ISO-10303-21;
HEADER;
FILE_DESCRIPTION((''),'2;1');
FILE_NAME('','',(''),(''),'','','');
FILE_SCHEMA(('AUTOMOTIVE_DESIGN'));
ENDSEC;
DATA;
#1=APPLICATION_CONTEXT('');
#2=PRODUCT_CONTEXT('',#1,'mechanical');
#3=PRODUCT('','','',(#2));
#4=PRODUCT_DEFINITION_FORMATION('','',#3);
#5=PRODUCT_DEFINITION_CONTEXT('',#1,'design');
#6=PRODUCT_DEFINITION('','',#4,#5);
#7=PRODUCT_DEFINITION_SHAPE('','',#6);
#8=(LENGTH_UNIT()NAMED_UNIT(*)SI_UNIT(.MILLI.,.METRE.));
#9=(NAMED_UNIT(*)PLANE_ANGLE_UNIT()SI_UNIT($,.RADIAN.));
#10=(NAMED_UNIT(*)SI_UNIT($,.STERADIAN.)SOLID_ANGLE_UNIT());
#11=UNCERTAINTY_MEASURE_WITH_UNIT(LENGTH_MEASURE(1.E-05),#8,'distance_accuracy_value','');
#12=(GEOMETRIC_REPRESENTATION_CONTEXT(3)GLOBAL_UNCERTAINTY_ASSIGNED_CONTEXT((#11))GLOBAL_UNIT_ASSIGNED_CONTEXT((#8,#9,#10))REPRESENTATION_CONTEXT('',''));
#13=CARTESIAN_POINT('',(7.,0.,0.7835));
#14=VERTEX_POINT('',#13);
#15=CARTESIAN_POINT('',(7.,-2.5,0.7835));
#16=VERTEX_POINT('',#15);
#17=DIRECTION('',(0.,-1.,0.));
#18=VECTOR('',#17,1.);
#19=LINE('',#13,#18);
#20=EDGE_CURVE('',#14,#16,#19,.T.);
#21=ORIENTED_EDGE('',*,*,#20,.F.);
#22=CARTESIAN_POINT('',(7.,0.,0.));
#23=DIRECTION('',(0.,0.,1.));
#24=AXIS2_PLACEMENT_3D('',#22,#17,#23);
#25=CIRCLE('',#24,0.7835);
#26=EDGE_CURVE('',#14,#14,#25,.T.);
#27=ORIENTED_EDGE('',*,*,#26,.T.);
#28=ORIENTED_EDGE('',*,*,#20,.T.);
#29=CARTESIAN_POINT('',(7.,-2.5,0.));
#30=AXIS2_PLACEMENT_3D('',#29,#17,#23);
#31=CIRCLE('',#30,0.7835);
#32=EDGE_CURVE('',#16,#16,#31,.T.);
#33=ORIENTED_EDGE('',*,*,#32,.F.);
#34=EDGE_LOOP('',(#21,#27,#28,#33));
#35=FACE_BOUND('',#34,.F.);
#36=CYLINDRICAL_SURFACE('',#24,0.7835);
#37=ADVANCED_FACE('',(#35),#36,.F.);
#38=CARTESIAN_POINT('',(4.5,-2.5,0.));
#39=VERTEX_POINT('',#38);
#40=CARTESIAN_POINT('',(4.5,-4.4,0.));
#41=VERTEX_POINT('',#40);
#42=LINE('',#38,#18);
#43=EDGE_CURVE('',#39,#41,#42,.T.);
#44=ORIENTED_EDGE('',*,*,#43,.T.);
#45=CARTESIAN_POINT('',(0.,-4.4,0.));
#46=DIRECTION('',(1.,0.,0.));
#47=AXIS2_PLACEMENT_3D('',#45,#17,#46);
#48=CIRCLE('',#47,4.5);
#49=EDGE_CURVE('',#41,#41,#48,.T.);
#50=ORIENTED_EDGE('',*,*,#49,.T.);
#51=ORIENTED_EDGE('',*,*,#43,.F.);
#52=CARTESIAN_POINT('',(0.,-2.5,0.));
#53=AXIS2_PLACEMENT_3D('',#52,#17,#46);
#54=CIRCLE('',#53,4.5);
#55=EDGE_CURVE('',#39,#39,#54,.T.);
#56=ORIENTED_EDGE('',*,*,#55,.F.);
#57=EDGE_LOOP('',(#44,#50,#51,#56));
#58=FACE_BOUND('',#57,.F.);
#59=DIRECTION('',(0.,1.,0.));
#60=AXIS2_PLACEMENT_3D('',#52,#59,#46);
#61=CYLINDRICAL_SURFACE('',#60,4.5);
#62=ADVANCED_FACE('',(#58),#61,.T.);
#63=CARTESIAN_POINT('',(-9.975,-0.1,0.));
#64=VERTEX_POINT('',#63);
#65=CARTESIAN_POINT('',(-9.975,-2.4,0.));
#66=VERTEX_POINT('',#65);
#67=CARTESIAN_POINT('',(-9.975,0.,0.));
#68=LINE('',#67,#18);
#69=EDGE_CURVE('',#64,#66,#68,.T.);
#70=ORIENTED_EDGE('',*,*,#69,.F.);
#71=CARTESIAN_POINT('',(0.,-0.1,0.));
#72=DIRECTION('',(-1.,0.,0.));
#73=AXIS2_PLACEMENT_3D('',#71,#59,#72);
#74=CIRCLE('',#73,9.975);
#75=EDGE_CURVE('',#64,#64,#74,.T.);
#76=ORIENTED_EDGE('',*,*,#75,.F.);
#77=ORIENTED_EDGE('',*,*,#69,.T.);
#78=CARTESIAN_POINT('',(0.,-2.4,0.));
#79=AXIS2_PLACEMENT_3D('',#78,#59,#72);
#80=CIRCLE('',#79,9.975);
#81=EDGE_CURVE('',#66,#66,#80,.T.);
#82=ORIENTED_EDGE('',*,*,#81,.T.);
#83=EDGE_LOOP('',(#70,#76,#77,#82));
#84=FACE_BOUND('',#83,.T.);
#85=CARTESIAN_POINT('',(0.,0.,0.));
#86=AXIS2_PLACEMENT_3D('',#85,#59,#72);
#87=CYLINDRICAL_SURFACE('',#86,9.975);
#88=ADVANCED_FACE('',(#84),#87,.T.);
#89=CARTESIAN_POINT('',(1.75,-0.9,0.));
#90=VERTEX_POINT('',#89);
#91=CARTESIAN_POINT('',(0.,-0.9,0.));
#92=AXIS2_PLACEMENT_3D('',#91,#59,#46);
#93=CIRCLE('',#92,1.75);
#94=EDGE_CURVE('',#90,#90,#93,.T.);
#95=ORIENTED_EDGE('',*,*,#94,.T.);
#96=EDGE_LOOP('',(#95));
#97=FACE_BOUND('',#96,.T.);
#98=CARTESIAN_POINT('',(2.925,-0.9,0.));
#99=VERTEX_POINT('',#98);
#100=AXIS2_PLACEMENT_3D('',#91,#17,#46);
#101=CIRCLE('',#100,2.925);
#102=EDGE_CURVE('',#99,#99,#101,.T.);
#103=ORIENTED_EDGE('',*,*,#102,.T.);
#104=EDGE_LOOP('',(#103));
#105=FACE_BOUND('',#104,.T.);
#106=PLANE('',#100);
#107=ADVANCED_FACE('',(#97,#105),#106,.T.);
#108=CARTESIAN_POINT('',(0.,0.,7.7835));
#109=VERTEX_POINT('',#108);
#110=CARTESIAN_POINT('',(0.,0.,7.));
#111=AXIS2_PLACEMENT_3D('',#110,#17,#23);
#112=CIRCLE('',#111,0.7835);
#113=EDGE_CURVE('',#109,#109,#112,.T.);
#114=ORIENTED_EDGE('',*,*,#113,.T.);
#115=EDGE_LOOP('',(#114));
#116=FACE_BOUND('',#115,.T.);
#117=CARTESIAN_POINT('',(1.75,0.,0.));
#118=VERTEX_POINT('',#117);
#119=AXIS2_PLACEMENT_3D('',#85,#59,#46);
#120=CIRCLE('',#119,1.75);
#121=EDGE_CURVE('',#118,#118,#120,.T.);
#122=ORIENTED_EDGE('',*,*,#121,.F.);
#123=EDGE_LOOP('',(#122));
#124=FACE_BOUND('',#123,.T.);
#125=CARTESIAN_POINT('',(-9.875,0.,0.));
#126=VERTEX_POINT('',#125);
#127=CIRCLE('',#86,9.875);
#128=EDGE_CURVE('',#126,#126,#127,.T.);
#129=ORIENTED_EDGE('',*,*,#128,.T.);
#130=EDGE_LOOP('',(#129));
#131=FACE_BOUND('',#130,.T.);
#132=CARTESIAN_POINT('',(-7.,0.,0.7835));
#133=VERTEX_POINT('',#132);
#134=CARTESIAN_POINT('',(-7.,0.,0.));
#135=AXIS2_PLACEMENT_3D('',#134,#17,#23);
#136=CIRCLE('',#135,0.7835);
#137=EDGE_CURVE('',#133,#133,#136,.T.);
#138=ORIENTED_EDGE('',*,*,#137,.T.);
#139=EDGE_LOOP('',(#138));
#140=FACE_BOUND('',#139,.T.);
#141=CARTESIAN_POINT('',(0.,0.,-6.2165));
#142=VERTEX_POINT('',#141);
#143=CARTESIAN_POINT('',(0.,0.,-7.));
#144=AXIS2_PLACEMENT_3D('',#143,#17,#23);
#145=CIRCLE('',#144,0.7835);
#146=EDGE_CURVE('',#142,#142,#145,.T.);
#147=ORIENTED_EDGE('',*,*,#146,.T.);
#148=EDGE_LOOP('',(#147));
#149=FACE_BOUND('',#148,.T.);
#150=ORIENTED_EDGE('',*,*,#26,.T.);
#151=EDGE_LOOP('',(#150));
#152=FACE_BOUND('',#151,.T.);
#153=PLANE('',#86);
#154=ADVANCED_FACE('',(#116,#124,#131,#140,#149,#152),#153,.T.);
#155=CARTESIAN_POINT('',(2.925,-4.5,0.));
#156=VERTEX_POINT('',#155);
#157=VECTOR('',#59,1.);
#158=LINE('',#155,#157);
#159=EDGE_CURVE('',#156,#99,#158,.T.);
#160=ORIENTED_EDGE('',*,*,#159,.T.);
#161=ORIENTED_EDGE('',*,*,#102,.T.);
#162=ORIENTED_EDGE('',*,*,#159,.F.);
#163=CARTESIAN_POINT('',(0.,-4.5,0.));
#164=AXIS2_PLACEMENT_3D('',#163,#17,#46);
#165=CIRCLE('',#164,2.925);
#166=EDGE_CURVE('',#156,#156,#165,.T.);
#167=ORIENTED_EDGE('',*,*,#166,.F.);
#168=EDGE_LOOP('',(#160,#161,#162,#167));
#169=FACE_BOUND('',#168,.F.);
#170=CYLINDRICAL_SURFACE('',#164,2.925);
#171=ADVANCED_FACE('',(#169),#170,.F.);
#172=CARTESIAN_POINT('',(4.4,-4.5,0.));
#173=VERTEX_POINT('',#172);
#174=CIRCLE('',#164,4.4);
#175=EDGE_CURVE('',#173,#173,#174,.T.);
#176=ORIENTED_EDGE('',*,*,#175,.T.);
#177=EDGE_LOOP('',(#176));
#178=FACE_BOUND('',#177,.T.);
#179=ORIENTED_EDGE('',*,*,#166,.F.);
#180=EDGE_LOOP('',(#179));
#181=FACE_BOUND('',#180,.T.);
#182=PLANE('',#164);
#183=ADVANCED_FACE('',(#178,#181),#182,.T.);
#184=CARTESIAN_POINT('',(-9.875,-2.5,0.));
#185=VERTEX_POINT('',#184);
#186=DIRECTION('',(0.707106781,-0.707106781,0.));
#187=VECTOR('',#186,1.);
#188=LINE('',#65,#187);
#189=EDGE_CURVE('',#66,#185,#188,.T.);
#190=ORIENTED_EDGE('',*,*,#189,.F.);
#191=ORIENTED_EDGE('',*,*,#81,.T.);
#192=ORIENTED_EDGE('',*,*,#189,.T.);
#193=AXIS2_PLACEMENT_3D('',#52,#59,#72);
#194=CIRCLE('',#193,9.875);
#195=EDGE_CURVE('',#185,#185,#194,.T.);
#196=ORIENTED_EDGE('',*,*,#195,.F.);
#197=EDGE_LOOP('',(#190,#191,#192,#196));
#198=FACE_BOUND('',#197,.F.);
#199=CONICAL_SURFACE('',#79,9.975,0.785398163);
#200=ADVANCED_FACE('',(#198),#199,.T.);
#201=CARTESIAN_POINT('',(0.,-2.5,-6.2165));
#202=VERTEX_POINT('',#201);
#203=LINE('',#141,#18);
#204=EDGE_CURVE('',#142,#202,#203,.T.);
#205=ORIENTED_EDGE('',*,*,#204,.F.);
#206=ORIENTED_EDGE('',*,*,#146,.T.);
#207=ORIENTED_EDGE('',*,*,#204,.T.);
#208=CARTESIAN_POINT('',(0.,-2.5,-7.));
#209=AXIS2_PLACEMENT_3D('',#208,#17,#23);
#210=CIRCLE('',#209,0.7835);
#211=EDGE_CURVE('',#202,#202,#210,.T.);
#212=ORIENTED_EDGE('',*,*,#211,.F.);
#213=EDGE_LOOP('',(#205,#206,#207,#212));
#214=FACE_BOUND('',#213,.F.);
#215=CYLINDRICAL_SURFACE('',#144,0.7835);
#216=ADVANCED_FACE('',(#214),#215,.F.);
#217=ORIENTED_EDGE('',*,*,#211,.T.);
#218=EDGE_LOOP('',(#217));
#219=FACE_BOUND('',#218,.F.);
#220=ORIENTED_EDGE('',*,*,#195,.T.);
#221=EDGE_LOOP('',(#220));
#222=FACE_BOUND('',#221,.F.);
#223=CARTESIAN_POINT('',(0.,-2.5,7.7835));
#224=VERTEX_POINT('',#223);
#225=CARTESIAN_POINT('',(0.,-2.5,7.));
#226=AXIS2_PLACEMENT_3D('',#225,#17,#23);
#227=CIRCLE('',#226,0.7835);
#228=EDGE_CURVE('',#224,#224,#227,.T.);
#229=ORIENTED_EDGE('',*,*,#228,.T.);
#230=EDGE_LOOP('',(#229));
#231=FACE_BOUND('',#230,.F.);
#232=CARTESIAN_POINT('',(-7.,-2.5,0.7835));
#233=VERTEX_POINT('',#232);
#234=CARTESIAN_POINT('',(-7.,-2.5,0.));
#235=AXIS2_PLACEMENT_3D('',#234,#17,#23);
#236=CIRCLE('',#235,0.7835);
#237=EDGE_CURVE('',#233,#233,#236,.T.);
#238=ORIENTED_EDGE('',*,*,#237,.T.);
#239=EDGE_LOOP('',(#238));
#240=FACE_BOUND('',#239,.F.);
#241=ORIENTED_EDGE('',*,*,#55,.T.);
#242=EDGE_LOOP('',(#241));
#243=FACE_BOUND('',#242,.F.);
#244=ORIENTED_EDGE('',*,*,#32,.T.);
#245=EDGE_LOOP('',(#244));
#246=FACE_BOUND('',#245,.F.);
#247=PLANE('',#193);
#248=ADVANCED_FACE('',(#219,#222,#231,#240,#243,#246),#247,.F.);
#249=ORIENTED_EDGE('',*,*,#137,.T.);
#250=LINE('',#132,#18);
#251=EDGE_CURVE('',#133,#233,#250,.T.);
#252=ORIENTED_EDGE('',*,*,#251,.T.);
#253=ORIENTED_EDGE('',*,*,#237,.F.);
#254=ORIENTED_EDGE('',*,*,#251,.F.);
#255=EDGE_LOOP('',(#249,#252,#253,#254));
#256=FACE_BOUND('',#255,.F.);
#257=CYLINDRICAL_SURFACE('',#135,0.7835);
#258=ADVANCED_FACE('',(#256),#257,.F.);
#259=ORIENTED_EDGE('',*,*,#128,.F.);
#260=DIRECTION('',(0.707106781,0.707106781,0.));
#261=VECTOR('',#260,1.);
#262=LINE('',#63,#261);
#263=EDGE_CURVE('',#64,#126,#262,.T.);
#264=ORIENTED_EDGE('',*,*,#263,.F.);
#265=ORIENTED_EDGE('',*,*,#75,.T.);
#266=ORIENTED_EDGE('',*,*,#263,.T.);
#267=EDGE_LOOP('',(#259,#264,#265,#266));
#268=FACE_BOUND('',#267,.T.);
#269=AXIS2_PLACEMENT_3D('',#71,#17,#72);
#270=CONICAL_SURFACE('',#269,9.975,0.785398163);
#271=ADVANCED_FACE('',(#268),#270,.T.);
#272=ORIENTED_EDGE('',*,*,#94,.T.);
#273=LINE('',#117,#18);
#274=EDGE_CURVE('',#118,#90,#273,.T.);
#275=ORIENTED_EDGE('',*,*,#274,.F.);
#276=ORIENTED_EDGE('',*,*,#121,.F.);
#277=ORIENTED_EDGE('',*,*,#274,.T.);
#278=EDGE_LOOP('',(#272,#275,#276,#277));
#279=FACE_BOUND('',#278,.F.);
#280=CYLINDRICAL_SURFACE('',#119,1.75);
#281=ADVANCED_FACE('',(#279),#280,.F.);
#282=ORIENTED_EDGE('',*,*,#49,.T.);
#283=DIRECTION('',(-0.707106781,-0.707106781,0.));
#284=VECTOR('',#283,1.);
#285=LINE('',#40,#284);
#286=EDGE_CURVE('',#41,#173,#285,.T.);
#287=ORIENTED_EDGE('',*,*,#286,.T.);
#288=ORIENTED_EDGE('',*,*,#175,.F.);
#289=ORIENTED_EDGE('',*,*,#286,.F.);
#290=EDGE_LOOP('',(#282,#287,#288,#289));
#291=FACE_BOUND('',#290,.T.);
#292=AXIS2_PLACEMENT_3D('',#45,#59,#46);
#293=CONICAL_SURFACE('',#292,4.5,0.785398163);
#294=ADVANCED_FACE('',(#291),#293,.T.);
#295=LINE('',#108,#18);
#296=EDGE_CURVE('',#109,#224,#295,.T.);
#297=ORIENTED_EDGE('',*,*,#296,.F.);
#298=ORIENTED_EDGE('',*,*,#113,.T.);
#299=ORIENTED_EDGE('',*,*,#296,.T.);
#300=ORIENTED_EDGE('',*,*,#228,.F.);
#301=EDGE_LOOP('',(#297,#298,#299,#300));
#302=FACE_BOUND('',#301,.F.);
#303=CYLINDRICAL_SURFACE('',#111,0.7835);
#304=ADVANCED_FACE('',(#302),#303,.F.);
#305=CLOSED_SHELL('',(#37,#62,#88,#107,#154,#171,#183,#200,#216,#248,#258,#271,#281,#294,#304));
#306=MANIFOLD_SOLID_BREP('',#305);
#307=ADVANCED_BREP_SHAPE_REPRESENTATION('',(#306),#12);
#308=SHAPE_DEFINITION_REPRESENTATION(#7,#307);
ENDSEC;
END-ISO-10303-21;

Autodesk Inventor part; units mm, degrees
ref_plane "YZ Plane" through (0, 0, 0) normal (1, 0, 0) x (0, 1, 0)
ref_plane "XZ Plane" through (0, 0, 0) normal (0, 1, 0) x (-1, 0, 0)
ref_plane "XY Plane" through (0, 0, 0) normal (0, 0, 1) x (1, 0, 0)
sketch "Sketch5" plane through (0, 0, 0) normal (0, 1, 0) x (-1, 0, 0)
  circle A0 centre (0, 0) radius 9.975
  dimension "d20" = 19.95
extrude "Extrusion4" add sketch "Sketch5" against normal blind 2.5
sketch "Sketch6" plane through (0, -2.5, 0) normal (0, -1, 0) x (1, 0, 0)
  circle A0 centre (0, 0) radius 4.5
  dimension "d23" = 9
extrude "Extrusion5" add sketch "Sketch6" along normal blind 2
sketch "Sketch7" plane through (0, -4.5, 0) normal (0, -1, 0) x (1, 0, 0)
  circle A0 centre (0, 0) radius 2.925
  dimension "d26" = 5.85
extrude "Extrusion6" cut sketch "Sketch7" against normal blind 3.6
sketch "Sketch8" plane through (0, 0, 0) normal (0, 1, 0) x (1, 0, 0)
  circle A0 centre (0, 0) radius 1.75
  dimension "d29" = 3.5
extrude "Extrusion7" cut sketch "Sketch8" against normal through all
sketch "Sketch9" plane through (0, 0, 0) normal (0, 1, 0) x (1, 0, 0)
  circle A0 centre (0, 0) radius 7
  point P0 (-7, 0)
  point P1 (7, 0)
  point P2 (0, 7)
  point P3 (0, -7)
  dimension "d32" = 14
hole "Hole2" at (-7, 0, 0) at (7, 0, 0) at (0, 0, -7) at (0, 0, 7) direction (0, -1, 0) diameter 1.567 end through all thread size "M2x0.4" class "6H" standard "ISO Metric profile"
chamfer "Chamfer2" distance 0.1 angle 45 3 edges at (9.975, 0, 0) (9.975, -2.5, 0) (-4.5, -4.5, 0)
properties part number "Top Horn" material "Aluminum 6061"
